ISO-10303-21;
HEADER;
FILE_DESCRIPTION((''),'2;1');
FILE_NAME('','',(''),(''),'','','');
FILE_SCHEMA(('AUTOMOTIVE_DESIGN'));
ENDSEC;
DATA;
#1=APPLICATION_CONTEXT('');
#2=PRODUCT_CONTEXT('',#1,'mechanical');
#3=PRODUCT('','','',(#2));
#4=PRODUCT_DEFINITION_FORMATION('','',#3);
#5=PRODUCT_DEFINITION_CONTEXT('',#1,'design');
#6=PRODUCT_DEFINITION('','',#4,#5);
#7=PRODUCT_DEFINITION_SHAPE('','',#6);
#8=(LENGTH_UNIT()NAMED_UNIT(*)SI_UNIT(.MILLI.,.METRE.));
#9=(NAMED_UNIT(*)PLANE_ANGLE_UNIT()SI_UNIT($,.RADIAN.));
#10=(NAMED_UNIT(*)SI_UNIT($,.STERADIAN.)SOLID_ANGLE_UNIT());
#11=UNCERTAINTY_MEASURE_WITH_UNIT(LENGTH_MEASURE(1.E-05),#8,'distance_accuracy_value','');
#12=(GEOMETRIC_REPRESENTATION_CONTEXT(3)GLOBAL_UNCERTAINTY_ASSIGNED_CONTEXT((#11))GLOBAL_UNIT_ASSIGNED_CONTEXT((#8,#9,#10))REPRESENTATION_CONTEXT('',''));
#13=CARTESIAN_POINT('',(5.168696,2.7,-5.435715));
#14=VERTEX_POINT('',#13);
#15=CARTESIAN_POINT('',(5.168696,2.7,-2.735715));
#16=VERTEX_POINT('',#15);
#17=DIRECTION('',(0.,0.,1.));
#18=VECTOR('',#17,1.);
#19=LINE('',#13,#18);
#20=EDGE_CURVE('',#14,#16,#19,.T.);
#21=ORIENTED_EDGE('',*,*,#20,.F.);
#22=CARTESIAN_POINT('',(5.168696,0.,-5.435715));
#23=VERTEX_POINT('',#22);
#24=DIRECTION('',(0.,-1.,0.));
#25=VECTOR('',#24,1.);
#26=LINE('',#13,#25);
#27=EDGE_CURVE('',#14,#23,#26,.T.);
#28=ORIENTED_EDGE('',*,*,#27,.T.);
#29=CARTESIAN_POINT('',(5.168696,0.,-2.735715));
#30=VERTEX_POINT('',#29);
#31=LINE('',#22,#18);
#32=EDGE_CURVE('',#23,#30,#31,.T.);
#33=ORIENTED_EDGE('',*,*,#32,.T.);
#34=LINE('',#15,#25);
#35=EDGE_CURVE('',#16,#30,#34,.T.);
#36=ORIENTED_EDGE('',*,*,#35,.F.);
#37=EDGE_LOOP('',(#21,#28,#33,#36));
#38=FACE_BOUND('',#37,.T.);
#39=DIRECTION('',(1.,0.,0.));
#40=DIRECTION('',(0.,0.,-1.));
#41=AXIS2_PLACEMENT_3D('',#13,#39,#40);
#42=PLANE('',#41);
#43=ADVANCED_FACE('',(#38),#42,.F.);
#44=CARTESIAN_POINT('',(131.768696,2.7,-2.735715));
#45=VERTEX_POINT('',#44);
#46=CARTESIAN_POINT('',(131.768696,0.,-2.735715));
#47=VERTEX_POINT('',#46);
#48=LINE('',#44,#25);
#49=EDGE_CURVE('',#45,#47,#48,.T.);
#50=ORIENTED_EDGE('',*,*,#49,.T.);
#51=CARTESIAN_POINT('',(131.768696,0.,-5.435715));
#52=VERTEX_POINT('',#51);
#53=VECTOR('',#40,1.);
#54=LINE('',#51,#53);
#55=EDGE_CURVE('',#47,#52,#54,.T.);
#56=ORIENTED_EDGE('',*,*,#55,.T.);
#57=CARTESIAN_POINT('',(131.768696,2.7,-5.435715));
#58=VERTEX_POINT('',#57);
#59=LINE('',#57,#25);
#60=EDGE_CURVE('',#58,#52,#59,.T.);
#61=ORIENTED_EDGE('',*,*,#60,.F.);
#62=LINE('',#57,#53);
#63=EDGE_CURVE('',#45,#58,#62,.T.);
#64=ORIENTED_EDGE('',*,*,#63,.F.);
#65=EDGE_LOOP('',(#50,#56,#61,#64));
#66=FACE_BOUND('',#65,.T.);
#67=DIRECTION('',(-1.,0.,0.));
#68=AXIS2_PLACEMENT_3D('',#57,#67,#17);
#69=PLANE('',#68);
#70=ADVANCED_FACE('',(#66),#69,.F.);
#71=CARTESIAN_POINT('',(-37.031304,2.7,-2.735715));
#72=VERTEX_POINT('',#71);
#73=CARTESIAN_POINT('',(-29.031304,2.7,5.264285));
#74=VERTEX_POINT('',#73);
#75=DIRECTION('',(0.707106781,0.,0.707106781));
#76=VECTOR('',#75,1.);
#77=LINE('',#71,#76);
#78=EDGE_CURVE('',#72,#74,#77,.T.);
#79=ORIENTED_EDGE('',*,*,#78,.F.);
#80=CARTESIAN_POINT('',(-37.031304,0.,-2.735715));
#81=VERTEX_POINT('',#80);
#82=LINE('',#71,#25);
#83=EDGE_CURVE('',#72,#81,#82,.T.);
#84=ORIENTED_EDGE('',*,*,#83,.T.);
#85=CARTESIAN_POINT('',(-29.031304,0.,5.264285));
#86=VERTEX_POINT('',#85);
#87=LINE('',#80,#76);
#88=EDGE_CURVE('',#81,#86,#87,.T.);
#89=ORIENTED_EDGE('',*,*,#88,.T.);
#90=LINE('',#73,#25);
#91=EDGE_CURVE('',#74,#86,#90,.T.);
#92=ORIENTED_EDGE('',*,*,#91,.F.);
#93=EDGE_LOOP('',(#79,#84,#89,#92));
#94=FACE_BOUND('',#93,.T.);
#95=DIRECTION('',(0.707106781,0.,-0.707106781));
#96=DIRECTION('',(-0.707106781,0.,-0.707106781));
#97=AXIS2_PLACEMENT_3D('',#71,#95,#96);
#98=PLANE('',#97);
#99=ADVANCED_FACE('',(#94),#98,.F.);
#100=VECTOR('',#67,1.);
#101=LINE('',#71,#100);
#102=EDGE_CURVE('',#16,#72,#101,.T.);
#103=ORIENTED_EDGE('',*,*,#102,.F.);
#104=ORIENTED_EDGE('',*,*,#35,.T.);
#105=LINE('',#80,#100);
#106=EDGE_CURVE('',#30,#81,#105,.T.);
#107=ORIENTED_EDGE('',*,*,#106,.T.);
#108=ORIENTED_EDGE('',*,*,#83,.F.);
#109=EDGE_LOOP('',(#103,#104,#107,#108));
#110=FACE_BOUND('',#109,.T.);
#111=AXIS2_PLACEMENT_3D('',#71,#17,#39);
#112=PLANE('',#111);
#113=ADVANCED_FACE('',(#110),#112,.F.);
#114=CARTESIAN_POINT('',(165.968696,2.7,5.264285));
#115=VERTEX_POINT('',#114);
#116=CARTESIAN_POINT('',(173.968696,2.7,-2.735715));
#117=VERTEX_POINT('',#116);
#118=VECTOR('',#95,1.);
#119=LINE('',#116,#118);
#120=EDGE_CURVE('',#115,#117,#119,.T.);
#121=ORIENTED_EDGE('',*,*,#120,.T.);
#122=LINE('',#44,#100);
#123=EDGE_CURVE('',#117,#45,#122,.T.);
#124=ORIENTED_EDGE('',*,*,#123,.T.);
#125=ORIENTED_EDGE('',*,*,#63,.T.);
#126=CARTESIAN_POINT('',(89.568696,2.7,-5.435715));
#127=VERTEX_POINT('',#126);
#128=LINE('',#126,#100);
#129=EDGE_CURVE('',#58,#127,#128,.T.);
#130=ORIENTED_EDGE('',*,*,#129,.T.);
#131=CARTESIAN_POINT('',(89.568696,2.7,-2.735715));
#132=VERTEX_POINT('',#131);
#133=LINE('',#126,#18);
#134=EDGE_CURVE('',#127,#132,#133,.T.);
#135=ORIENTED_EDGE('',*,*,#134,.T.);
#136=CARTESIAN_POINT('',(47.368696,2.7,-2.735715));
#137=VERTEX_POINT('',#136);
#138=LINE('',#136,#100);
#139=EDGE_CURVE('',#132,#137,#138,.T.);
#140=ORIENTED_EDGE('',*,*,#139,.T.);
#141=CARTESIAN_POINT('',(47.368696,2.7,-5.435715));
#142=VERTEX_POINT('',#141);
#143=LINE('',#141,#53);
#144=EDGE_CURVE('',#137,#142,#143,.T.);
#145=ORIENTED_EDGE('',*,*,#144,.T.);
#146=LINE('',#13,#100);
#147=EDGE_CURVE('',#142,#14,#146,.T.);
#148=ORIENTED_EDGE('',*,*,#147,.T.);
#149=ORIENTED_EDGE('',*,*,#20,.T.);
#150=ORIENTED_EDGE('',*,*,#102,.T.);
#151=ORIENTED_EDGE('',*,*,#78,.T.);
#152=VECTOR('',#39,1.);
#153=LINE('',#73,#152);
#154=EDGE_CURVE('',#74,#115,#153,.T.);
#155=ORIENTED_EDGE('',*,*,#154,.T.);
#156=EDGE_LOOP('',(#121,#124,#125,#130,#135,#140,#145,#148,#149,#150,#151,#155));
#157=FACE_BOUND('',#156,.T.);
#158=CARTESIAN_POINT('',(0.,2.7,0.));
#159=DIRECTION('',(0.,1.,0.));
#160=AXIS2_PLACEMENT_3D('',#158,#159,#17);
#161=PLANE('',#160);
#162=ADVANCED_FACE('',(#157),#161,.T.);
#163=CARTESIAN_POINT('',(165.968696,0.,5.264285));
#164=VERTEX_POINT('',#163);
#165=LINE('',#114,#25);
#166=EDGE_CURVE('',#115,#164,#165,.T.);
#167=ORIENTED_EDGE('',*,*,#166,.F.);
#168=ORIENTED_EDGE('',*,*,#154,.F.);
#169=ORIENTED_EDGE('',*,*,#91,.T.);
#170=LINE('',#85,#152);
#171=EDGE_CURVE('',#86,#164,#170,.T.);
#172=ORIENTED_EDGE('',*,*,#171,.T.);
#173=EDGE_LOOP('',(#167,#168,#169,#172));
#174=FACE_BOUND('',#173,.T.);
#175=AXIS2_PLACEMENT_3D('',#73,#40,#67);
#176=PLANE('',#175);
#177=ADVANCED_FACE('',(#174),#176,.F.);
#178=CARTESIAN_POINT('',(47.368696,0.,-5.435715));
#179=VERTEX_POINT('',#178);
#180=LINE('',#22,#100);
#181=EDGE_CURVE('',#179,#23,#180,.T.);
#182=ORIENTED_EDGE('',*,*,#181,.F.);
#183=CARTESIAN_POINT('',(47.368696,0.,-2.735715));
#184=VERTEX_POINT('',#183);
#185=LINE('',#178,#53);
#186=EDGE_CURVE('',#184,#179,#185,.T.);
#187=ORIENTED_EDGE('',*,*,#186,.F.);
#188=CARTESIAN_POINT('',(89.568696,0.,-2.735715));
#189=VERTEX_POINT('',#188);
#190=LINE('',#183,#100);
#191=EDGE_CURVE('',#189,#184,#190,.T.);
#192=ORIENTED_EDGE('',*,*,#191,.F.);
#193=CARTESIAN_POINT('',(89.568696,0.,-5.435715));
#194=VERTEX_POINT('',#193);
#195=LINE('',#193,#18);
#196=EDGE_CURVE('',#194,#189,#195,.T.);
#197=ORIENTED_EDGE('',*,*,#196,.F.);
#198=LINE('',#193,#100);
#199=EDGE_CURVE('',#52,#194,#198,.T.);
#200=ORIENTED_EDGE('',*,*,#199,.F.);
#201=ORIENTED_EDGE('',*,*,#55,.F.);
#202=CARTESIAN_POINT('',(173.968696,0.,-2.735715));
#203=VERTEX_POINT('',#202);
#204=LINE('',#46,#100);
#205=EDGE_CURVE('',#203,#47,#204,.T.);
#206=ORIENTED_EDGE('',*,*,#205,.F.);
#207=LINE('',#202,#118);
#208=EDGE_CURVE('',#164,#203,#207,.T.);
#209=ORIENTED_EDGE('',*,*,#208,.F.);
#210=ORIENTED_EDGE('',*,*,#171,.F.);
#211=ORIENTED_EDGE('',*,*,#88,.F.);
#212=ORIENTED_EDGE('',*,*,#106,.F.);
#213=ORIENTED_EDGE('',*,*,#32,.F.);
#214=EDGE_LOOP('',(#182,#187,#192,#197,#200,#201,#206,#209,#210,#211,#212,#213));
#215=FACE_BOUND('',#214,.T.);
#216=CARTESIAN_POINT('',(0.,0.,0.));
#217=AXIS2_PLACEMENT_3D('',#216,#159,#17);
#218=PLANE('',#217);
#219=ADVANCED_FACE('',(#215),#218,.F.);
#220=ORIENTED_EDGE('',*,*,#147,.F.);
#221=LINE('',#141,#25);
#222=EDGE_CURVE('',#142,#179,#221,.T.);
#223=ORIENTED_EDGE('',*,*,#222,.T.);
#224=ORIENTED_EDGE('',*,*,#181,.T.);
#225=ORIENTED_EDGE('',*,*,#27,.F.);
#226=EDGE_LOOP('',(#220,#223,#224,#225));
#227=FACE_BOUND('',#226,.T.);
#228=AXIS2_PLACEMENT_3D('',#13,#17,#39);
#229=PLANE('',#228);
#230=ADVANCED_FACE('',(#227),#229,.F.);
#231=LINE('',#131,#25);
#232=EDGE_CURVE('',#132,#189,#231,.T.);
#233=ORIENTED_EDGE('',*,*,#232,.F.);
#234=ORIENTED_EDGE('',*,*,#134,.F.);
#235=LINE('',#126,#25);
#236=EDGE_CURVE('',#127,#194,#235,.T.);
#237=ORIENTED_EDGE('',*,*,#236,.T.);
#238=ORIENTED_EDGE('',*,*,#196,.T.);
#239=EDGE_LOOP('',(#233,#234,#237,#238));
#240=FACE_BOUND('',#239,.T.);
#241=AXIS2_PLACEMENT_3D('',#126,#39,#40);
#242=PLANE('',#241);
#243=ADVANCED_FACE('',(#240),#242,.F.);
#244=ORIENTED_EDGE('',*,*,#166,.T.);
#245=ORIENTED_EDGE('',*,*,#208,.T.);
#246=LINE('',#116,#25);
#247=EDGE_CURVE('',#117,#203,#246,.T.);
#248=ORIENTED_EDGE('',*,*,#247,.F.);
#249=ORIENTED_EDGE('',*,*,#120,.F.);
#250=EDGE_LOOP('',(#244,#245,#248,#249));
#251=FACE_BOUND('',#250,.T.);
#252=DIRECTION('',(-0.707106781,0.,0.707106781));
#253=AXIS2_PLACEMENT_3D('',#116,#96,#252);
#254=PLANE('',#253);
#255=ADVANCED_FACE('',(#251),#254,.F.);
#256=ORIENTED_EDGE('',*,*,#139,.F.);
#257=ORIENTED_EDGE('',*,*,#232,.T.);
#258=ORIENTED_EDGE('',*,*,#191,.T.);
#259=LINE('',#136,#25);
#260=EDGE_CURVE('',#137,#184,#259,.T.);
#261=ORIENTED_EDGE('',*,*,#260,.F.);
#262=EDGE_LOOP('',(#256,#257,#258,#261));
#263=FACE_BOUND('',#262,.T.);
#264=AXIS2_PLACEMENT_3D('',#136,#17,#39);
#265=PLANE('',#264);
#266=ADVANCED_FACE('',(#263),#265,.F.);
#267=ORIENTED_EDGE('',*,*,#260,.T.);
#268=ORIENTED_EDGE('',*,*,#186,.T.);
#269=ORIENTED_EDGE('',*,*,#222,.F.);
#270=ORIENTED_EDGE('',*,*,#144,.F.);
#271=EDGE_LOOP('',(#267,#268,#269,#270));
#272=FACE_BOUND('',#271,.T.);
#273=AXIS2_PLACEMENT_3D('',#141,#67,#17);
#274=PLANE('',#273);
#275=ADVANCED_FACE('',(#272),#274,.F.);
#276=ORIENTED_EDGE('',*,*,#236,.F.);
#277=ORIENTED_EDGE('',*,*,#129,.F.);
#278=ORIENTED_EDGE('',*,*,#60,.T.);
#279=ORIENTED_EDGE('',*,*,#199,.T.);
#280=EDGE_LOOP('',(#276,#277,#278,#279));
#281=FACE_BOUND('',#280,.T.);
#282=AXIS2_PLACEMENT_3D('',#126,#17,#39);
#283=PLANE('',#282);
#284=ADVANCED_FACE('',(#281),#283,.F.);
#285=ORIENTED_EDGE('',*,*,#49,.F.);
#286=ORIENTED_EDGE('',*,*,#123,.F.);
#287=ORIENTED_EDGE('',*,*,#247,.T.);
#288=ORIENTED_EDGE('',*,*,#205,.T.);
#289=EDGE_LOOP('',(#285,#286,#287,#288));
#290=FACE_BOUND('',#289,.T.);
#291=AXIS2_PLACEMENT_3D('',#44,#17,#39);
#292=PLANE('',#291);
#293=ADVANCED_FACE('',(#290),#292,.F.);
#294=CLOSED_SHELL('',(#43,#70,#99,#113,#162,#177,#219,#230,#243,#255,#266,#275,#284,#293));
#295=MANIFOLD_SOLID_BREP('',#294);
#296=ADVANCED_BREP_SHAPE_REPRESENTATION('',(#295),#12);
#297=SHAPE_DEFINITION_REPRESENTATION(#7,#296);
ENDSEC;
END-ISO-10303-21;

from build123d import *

# Parameters (mm, degrees)
BOSS_EXTRUDE1_DEPTH = 2.7


with BuildPart() as part:
    # Sketch1 → Boss-Extrude1 (new body)
    with BuildSketch(Plane(origin=(0, 0, 0), x_dir=(1, 0, 0), z_dir=(0, 1, 0))):
        Polygon((-37.031304348, 2.735714843), (5.168695652, 2.735714843), (5.168695652, 5.435714843), (47.368695652, 5.435714843), (47.368695652, 2.735714843), (89.568695652, 2.735714843), (89.568695652, 5.435714843), (131.768695652, 5.435714843), (131.768695652, 2.735714843), (173.968695652, 2.735714843), (165.968695652, -5.264285157), (-29.031304348, -5.264285157), align=None)
    extrude(amount=BOSS_EXTRUDE1_DEPTH)


solid = part.part
